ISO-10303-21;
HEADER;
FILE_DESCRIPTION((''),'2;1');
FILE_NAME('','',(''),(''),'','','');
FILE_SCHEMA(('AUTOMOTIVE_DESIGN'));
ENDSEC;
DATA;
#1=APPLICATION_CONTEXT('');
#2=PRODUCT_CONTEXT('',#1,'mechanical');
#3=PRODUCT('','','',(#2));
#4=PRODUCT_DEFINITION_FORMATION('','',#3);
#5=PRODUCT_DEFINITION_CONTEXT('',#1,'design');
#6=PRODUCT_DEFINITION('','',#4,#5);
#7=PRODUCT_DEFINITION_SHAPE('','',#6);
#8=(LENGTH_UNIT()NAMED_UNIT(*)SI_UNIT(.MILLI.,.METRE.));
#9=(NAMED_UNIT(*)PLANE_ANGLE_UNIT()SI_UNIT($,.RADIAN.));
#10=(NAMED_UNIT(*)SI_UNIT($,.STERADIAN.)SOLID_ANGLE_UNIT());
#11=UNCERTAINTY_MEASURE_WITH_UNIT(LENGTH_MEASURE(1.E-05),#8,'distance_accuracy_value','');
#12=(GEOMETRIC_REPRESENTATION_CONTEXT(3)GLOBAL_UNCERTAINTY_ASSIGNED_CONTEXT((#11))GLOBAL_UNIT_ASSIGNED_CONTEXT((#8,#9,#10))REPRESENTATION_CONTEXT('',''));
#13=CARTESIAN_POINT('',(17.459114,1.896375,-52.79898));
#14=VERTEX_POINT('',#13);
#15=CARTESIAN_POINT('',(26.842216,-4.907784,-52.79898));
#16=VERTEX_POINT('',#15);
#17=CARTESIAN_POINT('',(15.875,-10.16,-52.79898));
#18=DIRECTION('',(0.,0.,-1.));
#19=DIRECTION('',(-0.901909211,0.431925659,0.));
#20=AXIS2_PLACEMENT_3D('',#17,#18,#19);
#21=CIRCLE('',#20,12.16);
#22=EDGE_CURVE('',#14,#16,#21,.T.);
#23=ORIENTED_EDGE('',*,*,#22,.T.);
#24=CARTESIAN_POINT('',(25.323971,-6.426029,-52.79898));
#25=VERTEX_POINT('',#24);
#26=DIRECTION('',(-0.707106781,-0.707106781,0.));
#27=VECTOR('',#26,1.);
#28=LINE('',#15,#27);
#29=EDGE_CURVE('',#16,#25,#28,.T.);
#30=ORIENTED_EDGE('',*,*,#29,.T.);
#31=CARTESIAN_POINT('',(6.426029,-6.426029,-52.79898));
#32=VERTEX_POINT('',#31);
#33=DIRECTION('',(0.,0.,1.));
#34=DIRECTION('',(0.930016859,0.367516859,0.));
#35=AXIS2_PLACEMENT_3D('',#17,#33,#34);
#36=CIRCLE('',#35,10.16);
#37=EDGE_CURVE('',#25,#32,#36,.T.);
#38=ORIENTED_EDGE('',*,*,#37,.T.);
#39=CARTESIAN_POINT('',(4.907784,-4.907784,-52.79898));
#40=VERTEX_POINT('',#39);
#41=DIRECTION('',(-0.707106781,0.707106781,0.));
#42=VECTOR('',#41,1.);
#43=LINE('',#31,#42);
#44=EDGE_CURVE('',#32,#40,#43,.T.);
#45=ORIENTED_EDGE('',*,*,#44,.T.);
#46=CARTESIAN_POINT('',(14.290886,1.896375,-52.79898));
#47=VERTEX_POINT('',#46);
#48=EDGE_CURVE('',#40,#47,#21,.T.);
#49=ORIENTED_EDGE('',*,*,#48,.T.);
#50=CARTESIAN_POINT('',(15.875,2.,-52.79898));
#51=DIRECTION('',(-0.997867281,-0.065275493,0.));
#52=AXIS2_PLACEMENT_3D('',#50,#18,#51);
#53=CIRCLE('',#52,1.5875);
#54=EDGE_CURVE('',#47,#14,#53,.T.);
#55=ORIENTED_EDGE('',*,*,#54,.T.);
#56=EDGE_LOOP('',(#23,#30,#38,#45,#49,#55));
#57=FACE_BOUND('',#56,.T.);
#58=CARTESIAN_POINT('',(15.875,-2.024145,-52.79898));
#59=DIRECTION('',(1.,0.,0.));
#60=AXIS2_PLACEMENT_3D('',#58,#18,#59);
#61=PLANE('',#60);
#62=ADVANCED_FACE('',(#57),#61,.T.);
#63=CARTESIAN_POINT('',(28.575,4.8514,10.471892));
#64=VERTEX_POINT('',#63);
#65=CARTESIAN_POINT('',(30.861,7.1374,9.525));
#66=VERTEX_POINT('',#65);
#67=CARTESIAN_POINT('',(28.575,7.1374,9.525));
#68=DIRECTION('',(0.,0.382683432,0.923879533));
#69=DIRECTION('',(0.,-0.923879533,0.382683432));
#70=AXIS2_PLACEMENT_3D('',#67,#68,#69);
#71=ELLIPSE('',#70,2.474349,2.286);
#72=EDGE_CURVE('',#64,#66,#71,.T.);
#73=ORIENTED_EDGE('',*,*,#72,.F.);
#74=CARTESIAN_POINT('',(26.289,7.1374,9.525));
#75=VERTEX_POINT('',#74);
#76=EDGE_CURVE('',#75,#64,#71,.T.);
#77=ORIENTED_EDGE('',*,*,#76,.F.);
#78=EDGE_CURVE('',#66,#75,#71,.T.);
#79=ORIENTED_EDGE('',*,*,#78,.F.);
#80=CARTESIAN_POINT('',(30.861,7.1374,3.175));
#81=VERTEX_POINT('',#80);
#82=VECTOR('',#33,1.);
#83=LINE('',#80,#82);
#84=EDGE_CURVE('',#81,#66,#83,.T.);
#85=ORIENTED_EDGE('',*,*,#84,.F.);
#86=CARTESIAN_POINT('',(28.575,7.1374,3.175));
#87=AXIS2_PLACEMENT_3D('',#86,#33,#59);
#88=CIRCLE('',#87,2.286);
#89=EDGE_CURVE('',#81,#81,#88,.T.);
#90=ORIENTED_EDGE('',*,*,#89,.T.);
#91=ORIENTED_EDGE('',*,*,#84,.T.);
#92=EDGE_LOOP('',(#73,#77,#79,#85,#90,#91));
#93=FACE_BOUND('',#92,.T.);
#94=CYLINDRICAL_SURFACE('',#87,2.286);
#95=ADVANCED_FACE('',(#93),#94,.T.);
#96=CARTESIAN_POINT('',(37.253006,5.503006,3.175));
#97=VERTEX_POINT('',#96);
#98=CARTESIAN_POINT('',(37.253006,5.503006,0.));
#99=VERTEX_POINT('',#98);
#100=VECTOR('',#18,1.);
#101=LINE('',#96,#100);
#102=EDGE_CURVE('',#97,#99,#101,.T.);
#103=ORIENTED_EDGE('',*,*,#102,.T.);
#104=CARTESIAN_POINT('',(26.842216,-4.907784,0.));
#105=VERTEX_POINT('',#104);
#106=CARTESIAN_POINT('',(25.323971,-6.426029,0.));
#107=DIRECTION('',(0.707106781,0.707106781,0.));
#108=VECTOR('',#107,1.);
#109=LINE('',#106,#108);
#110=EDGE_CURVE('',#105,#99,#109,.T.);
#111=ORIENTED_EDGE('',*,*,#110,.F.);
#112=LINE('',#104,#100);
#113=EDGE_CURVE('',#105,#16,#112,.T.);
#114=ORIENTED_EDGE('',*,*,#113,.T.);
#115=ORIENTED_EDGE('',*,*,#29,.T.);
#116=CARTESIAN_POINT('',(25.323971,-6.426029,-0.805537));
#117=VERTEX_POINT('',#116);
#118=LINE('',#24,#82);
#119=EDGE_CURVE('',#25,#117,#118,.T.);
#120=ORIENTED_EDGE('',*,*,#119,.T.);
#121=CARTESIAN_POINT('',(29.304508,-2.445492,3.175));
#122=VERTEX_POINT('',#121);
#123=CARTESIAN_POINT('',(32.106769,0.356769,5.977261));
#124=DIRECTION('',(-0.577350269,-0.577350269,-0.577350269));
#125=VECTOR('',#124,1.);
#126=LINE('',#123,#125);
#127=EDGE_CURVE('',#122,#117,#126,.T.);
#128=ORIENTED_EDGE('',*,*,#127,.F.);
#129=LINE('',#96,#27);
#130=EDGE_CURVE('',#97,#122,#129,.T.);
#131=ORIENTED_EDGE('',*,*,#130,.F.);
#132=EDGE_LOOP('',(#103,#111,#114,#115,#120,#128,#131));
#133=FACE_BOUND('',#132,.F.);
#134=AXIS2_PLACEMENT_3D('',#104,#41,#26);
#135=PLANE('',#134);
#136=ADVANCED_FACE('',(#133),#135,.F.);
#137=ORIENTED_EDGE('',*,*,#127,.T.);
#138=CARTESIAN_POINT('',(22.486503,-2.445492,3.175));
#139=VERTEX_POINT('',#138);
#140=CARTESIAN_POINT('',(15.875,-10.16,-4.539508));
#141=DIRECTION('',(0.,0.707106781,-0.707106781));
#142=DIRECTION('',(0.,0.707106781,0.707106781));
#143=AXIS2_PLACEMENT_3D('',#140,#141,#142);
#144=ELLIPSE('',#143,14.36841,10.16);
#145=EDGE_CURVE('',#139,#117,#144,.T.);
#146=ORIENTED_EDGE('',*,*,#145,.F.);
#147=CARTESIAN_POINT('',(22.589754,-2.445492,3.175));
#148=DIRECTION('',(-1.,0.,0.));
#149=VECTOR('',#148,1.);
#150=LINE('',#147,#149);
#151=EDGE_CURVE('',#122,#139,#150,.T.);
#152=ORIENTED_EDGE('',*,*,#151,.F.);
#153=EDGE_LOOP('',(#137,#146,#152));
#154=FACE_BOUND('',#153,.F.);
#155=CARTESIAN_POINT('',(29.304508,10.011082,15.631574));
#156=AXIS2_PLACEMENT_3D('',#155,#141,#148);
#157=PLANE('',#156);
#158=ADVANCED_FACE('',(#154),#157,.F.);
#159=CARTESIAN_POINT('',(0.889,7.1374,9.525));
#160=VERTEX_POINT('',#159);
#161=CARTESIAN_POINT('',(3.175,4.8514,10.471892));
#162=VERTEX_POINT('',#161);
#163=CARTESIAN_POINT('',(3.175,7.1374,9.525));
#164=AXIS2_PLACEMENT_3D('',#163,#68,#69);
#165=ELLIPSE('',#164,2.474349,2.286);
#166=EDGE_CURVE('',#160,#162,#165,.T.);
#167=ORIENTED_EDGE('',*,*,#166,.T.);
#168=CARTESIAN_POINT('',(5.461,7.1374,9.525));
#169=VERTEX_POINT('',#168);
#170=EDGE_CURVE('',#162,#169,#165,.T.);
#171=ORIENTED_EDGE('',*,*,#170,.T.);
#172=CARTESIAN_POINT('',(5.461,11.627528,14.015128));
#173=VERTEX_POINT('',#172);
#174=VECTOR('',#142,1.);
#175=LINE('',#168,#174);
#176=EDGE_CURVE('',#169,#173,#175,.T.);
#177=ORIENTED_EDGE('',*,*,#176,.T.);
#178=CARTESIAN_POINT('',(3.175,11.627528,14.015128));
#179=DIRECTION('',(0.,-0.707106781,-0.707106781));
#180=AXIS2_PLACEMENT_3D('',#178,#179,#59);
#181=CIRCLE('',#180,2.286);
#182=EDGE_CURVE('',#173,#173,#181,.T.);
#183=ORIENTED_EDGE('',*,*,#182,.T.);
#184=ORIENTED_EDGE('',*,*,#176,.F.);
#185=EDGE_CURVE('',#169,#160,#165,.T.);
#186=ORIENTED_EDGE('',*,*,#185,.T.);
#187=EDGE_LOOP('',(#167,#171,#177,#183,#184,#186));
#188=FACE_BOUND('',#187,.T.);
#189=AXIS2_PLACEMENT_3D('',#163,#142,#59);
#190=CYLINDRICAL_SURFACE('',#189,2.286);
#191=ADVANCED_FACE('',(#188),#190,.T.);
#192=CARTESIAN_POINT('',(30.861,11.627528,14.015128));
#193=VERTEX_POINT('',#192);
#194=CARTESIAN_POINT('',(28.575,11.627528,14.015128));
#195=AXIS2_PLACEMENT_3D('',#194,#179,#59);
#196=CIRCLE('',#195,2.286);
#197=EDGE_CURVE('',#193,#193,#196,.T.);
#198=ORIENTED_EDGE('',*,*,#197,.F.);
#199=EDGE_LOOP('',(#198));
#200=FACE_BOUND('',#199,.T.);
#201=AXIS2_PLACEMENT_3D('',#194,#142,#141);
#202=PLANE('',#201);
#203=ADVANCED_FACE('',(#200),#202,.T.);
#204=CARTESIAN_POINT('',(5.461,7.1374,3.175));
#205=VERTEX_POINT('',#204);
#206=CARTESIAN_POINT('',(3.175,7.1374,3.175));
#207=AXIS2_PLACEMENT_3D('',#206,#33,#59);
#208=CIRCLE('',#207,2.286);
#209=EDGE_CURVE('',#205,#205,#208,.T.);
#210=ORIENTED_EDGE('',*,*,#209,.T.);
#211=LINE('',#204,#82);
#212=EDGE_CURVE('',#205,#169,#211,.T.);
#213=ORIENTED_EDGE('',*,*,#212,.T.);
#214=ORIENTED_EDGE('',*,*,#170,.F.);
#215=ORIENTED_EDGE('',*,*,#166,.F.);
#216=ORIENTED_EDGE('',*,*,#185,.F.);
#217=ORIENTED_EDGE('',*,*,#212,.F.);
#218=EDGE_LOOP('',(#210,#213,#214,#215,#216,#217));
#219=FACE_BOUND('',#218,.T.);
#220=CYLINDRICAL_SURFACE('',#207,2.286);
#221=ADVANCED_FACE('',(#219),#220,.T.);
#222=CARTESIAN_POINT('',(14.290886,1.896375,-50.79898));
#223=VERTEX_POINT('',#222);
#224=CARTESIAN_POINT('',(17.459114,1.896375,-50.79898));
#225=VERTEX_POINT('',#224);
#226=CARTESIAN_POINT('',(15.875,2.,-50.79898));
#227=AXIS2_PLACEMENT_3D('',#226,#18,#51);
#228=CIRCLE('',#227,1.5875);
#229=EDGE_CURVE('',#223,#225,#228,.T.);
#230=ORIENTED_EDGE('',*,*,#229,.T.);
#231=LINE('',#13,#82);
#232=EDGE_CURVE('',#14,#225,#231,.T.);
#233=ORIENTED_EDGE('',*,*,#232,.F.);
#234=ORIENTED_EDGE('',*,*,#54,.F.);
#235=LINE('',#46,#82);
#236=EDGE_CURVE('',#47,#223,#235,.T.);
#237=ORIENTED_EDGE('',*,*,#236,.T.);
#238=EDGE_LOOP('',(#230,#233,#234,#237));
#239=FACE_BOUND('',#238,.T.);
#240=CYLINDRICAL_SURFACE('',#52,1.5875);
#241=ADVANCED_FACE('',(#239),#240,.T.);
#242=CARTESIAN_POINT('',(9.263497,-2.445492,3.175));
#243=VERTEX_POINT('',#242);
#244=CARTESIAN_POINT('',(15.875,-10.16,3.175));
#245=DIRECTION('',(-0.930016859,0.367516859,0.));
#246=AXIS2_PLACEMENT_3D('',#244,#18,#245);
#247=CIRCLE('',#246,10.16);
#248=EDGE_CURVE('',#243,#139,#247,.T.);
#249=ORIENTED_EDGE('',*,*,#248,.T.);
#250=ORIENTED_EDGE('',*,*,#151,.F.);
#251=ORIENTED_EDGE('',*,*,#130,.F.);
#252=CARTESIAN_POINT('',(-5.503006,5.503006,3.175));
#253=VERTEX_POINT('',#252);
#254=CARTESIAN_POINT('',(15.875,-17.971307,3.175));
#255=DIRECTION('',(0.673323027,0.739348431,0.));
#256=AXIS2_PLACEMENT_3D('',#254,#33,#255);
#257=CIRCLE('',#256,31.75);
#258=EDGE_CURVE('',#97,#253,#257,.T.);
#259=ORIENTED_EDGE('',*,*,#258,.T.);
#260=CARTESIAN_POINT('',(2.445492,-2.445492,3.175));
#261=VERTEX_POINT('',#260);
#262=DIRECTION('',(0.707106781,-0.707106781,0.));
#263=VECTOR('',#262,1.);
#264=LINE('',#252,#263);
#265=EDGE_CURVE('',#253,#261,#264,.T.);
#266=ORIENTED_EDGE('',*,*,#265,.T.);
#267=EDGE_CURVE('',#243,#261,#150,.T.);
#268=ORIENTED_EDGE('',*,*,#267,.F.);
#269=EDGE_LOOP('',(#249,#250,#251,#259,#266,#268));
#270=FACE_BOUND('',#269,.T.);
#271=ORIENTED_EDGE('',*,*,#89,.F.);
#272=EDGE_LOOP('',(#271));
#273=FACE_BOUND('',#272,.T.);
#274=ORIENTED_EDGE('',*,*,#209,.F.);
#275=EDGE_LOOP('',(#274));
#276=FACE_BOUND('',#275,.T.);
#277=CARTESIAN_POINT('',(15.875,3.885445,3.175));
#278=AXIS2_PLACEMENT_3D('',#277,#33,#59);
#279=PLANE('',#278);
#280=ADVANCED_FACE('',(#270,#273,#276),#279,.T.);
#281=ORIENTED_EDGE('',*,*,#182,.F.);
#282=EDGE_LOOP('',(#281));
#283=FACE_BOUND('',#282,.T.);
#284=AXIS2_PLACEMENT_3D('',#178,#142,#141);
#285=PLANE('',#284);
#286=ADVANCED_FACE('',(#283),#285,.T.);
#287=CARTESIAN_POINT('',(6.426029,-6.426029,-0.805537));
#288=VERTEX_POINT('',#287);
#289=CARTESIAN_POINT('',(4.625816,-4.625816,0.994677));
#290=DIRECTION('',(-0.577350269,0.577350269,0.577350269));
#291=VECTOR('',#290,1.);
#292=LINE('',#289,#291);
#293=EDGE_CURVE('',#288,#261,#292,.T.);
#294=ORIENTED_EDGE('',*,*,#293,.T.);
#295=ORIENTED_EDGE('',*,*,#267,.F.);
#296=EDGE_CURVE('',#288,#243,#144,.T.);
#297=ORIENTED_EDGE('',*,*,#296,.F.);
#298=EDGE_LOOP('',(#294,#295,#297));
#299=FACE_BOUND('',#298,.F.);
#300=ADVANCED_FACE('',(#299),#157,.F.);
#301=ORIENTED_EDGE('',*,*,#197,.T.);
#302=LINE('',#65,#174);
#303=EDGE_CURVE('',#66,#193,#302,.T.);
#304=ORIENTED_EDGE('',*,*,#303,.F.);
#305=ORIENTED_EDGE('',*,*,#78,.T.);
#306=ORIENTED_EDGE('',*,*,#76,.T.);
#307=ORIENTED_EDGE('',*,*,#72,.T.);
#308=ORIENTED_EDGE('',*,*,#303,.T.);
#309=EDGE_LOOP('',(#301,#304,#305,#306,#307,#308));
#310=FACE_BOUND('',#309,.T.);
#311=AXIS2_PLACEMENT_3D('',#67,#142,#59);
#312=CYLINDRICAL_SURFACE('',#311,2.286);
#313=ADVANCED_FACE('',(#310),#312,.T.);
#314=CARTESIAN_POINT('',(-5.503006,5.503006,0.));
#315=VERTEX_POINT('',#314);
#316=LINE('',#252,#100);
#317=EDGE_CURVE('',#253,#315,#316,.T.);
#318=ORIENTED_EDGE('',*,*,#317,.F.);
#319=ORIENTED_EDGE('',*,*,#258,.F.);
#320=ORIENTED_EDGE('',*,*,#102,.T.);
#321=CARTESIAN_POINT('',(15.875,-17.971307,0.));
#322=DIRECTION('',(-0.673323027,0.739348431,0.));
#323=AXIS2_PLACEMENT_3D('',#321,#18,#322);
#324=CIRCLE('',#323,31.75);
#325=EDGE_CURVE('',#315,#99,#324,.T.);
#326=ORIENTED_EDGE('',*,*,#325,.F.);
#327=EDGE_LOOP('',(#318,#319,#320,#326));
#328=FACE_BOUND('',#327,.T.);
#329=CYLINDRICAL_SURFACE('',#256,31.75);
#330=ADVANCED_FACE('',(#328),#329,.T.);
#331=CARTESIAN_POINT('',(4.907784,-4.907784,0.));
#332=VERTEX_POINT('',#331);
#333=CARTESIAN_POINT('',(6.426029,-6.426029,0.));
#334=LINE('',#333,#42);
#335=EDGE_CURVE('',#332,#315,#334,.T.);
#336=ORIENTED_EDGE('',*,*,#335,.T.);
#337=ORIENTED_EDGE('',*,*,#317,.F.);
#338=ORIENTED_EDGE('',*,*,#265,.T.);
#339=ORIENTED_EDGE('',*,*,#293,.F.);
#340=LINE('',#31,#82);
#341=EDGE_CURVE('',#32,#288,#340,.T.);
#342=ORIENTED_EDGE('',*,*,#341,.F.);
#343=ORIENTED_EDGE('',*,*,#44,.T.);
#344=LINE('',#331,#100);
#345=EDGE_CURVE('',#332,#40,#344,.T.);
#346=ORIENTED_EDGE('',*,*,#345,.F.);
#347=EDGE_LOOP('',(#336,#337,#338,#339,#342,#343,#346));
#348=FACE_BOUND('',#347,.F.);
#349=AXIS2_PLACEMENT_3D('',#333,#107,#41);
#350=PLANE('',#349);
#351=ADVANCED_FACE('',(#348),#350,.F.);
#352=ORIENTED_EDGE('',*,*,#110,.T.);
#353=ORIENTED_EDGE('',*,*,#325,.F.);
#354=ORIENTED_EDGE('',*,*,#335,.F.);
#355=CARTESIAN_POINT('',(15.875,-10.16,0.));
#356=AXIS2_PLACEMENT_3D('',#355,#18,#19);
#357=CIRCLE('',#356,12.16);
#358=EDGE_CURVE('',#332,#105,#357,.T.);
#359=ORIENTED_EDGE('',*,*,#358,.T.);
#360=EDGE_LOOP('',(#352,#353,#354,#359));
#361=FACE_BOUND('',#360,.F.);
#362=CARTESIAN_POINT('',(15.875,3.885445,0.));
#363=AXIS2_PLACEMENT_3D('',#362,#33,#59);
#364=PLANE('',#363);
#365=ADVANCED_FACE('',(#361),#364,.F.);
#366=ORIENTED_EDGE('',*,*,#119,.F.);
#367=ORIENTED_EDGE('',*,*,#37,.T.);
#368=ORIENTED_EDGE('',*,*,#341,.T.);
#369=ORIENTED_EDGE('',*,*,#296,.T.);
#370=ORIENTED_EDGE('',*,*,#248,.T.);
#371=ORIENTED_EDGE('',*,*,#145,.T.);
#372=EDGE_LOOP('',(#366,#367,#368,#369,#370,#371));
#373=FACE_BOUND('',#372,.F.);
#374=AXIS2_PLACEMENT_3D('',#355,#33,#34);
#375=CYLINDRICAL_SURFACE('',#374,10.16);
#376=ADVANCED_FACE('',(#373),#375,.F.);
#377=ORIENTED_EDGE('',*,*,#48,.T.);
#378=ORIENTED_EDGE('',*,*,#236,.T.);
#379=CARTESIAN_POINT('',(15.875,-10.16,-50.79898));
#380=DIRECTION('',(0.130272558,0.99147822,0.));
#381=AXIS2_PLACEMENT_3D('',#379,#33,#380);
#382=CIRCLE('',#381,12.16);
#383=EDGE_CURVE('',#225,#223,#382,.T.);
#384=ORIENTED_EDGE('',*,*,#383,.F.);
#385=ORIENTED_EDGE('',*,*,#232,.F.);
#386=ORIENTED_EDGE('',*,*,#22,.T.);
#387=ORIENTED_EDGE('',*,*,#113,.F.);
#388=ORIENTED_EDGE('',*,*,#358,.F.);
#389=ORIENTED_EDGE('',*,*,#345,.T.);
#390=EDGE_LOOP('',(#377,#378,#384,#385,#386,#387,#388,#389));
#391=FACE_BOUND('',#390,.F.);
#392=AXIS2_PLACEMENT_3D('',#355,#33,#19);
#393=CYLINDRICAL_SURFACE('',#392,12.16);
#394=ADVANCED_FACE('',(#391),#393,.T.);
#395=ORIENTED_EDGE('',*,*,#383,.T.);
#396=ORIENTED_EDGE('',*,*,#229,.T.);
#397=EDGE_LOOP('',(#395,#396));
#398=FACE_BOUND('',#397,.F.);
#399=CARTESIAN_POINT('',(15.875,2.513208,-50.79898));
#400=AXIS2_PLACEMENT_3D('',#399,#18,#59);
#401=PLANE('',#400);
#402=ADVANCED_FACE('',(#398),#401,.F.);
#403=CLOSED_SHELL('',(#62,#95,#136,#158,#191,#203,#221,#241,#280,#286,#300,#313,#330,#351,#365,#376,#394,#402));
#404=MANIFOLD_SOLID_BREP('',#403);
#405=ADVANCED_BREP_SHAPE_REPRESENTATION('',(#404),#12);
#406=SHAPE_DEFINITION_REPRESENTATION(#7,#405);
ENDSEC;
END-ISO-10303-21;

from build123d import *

# Parameters (mm, degrees)
F0_W      = 31.75
F0_H      = 9.525
F1_DEPTH  = 3.175
F4_R      = 2.286
F8_R      = 2.286
F11_DEPTH = 3.175
F13_DEPTH = 52.79898
F15_DEPTH = 25.4
F17_DEPTH = 2


with BuildPart() as f1:
    # F0 (on Top) → F1 (new body)
    with BuildSketch(Plane.XY):
        with Locations((15.875, 4.7625)):
            Rectangle(F0_W, F0_H)
    extrude(amount=F1_DEPTH)

    # F5: sweep along a path in F3
    with BuildLine(Plane.YZ.offset(28.575)) as f5_path:
        Line((7.1374, 3.175), (7.1374, 9.525))
        Line((7.1374, 9.525), (11.6275280605, 14.0151280605))
    # F4 (on face) → F5 (sweep)
    with BuildSketch(Plane.XY.offset(3.175)):
        with Locations((28.575, 7.1374)):
            Circle(F4_R)
    sweep(path=f5_path.line, transition=Transition.RIGHT)

    # F9: sweep along a path in F7
    with BuildLine(Plane.YZ.offset(3.175)) as f9_path:
        Line((7.1374, 3.175), (7.1374, 9.525))
        Line((7.1374, 9.525), (11.6275280605, 14.0151280605))
    # F8 (on face) → F9 (sweep)
    with BuildSketch(Plane.XY.offset(3.175)):
        with Locations((3.175, 7.1374)):
            Circle(F8_R)
    sweep(path=f9_path.line, transition=Transition.RIGHT)

    # F10 (on face) → F11 (join, through all)
    with BuildSketch(Plane.XY.offset(3.175)):
        with BuildLine():
            Line((25.3239712887, -6.4260287113), (37.2530060984, 5.5030060984))
            ThreePointArc((37.2530060984, 5.5030060984), (15.875, 13.7786934298), (-5.5030060984, 5.5030060984))
            Line((-5.5030060984, 5.5030060984), (6.4260287113, -6.4260287113))
            ThreePointArc((6.4260287113, -6.4260287113), (15.875, 0), (25.3239712887, -6.4260287113))
        make_face()
    extrude(amount=-F11_DEPTH)

    # F12 (on face) → F13 (join)
    with BuildSketch(Plane(origin=(0, 0, 0), x_dir=(1, 0, 0), z_dir=(0, 0, -1))):
        with BuildLine():
            Line((6.4260287113, 6.4260287113), (4.9077839908, 4.9077839908))
            ThreePointArc((4.9077839908, 4.9077839908), (15.875, -2), (26.8422160092, 4.9077839908))
            Line((26.8422160092, 4.9077839908), (25.3239712887, 6.4260287113))
            ThreePointArc((25.3239712887, 6.4260287113), (15.875, 0), (6.4260287113, 6.4260287113))
        make_face()
    extrude(amount=F13_DEPTH)

    # F14 (on face) → F15 (cut)
    with BuildSketch(Plane(origin=(0, 12.8213280605, 12.8213280605), x_dir=(1, 0, 0), z_dir=(0, 0.7071067812, 0.7071067812))):
        Polygon((3.175, -3.9742881508), (2.4454922036, -3.9742881508), (2.4454922036, -10.2548293379), (29.3045077964, -10.2548293379), (29.3045077964, -3.9742881508), align=None)
    extrude(amount=-F15_DEPTH, mode=Mode.SUBTRACT)

    # F16 (on face) → F17 (join)
    with BuildSketch(Plane(origin=(0, 0, -52.79898), x_dir=(1, 0, 0), z_dir=(0, 0, -1))):
        with BuildLine():
            ThreePointArc((17.4591143082, -1.8963751542), (15.875, -2), (14.2908856918, -1.8963751542))
            ThreePointArc((14.2908856918, -1.8963751542), (15.875, -3.5875), (17.4591143082, -1.8963751542))
        make_face()
    extrude(amount=-F17_DEPTH)


solid = f1.part
